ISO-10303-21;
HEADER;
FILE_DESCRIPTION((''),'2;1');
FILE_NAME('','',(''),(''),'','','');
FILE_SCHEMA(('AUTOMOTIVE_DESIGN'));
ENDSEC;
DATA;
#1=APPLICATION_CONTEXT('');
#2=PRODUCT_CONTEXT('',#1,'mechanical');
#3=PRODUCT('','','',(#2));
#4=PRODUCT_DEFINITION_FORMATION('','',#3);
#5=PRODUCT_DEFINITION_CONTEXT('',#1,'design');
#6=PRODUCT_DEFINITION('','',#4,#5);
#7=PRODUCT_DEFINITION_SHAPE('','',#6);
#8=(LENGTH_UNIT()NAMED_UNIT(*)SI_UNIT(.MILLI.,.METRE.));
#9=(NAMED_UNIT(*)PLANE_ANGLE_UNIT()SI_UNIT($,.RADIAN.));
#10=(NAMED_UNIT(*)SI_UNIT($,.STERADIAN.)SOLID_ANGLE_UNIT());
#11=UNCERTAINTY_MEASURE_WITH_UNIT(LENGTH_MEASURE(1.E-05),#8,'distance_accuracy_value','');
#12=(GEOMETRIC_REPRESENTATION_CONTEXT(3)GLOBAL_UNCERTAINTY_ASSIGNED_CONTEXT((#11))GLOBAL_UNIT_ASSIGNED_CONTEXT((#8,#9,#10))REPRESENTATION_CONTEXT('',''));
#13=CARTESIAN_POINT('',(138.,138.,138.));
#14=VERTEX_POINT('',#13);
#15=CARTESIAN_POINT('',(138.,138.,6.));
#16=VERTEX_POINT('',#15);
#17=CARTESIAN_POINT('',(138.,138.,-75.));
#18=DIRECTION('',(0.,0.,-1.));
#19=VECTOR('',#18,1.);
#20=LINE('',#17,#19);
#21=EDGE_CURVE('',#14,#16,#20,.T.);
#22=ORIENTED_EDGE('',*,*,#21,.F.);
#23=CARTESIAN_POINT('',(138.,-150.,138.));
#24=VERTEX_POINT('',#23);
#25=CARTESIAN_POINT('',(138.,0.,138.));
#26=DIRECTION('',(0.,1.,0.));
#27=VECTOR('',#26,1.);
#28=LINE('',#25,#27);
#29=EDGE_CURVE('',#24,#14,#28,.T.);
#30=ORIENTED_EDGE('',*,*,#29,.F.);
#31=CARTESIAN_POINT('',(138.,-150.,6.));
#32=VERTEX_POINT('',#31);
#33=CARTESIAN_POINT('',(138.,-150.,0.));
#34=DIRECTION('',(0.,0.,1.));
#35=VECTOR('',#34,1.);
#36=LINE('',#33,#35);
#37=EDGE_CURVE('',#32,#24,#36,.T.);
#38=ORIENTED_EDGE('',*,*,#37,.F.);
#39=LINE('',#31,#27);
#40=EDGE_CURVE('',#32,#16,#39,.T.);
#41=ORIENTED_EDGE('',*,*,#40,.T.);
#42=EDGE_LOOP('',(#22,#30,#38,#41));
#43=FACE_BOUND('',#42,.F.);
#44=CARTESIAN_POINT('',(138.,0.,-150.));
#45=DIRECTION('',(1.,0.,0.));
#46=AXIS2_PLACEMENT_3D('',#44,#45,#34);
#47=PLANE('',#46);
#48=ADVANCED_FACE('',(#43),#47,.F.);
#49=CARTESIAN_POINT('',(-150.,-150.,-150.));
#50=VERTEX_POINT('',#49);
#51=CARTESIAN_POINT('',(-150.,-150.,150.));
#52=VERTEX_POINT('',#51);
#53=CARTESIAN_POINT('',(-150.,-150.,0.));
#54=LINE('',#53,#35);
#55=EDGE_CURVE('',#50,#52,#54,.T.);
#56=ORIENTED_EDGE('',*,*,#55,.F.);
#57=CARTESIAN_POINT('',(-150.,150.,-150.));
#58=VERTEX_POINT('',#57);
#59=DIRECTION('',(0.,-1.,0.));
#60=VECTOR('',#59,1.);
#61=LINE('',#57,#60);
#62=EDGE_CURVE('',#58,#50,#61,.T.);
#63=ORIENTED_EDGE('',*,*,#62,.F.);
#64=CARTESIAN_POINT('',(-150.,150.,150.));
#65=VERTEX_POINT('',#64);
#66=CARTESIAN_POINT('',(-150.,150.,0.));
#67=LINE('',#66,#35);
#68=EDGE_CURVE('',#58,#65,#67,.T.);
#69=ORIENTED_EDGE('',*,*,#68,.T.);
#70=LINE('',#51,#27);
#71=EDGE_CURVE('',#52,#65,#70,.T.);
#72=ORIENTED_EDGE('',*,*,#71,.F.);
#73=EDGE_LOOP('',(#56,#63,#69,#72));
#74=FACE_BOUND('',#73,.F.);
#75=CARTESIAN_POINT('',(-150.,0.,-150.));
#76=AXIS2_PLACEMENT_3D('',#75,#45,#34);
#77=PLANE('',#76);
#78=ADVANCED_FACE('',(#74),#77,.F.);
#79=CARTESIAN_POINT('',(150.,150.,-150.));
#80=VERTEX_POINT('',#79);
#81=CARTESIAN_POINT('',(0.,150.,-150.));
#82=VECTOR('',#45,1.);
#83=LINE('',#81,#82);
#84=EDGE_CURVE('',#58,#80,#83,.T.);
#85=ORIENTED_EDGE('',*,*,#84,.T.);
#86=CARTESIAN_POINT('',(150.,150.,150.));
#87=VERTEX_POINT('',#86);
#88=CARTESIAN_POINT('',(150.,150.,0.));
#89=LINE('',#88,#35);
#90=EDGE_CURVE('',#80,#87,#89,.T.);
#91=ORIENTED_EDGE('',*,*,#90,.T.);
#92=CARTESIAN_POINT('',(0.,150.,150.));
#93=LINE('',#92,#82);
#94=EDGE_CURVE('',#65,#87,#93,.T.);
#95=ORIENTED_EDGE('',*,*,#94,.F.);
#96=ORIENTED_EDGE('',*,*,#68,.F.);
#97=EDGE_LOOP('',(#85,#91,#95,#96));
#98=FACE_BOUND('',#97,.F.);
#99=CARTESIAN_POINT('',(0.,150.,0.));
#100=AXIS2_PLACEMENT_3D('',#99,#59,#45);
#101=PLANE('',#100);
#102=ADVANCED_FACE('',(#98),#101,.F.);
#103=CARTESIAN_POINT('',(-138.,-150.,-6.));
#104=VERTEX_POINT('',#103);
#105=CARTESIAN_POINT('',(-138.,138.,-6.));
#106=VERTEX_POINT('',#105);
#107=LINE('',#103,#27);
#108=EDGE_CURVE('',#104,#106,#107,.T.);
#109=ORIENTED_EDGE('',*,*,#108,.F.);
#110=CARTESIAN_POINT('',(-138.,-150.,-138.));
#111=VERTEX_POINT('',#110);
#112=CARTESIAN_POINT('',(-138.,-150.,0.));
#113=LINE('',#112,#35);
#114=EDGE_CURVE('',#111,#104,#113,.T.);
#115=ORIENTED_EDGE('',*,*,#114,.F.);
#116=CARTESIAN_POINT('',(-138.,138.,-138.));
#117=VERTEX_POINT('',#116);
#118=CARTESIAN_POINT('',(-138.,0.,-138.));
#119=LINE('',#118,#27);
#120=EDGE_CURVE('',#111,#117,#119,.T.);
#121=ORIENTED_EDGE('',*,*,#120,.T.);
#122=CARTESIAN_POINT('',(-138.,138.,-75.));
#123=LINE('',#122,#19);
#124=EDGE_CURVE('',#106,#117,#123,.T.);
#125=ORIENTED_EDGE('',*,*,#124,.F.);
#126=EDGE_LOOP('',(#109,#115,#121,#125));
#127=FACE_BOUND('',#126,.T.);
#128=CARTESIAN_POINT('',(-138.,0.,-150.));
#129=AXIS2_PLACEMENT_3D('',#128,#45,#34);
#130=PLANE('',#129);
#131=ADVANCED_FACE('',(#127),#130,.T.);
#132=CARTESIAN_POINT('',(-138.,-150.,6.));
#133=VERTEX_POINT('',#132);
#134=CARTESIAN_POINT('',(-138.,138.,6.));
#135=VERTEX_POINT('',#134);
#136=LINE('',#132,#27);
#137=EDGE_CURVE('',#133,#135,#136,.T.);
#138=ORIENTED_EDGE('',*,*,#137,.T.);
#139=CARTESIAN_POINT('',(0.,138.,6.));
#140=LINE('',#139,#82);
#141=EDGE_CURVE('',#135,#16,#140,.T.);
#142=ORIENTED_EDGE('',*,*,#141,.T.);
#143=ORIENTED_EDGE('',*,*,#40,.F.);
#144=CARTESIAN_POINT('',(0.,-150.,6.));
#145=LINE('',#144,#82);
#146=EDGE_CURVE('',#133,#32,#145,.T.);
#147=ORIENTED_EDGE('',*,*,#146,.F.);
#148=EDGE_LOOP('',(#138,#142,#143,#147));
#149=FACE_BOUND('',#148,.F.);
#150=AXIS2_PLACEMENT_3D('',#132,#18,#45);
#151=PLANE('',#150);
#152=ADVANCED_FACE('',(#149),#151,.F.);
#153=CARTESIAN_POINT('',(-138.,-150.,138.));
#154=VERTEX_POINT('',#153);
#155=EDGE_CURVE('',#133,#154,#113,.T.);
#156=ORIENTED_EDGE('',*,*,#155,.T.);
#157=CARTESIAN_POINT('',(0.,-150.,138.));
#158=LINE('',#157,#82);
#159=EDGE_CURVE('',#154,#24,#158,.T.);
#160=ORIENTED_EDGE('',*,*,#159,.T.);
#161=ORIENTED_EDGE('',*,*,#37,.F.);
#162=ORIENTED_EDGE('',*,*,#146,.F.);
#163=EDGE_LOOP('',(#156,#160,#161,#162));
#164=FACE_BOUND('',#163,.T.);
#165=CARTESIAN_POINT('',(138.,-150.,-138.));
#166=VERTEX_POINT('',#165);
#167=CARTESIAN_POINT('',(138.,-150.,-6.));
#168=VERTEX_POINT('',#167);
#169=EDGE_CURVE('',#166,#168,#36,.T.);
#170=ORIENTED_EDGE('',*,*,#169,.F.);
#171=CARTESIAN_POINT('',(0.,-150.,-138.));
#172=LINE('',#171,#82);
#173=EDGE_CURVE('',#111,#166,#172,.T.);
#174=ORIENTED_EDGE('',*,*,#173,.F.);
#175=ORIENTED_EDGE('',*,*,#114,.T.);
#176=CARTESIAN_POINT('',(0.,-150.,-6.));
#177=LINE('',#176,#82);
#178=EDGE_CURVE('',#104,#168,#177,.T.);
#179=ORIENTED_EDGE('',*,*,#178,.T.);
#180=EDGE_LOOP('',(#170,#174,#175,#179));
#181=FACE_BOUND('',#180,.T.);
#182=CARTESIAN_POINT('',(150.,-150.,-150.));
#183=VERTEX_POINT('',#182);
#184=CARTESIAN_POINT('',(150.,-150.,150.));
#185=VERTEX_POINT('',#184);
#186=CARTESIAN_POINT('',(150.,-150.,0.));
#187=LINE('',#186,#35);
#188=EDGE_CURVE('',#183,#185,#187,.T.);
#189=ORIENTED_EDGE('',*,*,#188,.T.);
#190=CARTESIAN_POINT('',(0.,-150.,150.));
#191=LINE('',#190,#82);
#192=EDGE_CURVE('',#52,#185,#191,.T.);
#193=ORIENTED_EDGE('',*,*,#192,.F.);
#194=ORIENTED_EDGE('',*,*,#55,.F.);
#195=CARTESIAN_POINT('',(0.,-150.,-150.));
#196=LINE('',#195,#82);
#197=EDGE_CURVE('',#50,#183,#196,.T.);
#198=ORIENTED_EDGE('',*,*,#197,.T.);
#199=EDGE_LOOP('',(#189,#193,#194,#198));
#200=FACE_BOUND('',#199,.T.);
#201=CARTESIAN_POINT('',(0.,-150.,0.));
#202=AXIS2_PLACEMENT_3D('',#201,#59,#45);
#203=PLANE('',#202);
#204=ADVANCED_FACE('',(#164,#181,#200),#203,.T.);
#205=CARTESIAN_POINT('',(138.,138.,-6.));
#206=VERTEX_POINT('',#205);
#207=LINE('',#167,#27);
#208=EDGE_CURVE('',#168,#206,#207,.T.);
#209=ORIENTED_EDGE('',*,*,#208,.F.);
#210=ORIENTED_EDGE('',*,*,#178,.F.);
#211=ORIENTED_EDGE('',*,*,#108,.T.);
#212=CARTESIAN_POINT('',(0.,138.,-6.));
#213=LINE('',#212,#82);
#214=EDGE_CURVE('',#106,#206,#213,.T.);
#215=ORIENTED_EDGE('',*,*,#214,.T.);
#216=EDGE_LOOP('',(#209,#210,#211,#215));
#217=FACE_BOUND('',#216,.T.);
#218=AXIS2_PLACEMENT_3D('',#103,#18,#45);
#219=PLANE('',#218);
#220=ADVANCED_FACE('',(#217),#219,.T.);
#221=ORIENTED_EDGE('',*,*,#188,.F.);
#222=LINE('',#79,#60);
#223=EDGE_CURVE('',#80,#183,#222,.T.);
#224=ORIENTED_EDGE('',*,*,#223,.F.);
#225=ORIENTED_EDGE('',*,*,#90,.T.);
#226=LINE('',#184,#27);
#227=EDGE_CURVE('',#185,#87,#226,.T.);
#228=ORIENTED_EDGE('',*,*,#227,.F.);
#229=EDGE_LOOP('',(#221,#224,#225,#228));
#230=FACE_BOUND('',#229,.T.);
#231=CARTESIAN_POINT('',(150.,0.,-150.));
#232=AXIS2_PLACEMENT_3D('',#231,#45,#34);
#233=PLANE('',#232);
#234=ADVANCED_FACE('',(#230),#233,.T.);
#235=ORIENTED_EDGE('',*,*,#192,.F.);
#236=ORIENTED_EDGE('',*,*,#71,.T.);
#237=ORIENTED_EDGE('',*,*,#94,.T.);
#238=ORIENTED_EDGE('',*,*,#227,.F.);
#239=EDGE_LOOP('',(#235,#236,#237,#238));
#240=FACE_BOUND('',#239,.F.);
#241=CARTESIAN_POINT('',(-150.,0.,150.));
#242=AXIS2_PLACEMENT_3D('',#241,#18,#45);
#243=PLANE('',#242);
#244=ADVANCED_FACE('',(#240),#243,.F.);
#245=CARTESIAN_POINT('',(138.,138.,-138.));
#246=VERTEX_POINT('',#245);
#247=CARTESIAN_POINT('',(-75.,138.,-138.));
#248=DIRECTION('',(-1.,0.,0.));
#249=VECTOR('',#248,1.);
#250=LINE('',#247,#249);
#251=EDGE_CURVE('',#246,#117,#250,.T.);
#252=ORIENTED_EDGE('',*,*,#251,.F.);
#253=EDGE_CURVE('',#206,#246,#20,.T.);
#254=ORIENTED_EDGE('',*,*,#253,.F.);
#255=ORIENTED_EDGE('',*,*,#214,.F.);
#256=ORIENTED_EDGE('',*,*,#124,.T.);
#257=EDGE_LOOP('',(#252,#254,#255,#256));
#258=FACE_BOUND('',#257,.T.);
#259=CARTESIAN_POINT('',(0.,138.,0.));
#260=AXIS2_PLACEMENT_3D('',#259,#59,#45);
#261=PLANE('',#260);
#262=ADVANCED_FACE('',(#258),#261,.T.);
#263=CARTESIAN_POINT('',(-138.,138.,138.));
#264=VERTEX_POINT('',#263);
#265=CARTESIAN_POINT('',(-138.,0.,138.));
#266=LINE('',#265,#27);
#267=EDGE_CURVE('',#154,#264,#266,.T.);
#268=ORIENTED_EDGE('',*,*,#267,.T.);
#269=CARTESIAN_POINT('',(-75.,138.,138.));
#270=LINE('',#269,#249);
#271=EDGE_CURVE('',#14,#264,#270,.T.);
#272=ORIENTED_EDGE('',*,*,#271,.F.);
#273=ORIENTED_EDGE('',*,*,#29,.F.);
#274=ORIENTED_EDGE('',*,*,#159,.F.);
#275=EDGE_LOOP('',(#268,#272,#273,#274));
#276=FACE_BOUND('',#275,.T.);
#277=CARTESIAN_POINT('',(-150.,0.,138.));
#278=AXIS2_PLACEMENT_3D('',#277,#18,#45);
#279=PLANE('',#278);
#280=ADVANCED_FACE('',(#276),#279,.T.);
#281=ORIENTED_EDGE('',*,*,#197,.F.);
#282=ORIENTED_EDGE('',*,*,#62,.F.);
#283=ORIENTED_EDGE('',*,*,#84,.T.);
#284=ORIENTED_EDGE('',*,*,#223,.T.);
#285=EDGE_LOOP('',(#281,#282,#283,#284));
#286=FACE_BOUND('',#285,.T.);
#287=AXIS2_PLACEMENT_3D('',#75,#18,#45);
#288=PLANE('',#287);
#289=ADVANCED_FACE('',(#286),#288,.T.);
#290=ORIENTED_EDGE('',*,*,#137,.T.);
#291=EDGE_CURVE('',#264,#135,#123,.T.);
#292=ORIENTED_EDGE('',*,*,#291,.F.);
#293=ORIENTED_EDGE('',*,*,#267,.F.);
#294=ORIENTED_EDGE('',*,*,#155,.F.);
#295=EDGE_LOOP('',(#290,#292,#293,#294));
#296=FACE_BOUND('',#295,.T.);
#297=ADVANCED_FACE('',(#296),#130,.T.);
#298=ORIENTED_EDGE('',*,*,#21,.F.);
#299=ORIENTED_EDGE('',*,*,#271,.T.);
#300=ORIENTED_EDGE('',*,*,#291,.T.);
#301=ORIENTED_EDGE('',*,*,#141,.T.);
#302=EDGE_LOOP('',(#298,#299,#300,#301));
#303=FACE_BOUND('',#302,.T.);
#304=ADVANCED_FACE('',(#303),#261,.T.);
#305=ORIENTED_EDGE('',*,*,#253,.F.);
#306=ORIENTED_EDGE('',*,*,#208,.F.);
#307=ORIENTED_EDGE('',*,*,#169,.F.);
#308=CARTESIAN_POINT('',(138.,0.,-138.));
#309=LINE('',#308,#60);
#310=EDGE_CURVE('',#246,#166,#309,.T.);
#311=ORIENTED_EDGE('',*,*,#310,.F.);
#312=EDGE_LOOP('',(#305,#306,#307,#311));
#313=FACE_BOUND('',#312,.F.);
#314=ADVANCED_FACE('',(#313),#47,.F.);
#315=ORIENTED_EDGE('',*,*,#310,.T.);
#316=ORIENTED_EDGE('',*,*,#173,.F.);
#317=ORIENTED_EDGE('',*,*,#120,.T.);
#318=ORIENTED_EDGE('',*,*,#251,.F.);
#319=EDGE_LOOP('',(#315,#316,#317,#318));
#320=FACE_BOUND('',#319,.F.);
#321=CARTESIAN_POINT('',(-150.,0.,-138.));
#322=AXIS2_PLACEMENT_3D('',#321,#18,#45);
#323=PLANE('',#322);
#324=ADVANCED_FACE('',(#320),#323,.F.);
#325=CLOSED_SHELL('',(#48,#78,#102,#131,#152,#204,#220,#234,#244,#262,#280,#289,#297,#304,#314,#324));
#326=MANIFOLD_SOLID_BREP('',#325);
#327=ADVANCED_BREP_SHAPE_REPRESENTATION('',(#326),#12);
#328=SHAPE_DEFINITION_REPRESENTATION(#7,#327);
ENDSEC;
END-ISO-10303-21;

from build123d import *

# Parameters (mm, degrees)
F0_W     = 300
F0_H     = 300
F1_DEPTH = 150
F2_T     = -12
F3_W     = 276
F3_H     = 12
F4_DEPTH = 288


with BuildPart() as f1:
    # F0 (on Front) → F1 (new body, symmetric)
    with BuildSketch(Plane.XZ):
        Rectangle(F0_W, F0_H)
    extrude(amount=F1_DEPTH, both=True)

    # F2
    f2_openings = [f1.faces().sort_by_distance(p)[0] for p in [
        (0, -150, 0),
    ]]
    offset(amount=F2_T, openings=f2_openings)

    # F3 (on face) → F4 (join)
    with BuildSketch(Plane.XZ.offset(150)):
        Rectangle(F3_W, F3_H)
    extrude(amount=-F4_DEPTH)


solid = f1.part
